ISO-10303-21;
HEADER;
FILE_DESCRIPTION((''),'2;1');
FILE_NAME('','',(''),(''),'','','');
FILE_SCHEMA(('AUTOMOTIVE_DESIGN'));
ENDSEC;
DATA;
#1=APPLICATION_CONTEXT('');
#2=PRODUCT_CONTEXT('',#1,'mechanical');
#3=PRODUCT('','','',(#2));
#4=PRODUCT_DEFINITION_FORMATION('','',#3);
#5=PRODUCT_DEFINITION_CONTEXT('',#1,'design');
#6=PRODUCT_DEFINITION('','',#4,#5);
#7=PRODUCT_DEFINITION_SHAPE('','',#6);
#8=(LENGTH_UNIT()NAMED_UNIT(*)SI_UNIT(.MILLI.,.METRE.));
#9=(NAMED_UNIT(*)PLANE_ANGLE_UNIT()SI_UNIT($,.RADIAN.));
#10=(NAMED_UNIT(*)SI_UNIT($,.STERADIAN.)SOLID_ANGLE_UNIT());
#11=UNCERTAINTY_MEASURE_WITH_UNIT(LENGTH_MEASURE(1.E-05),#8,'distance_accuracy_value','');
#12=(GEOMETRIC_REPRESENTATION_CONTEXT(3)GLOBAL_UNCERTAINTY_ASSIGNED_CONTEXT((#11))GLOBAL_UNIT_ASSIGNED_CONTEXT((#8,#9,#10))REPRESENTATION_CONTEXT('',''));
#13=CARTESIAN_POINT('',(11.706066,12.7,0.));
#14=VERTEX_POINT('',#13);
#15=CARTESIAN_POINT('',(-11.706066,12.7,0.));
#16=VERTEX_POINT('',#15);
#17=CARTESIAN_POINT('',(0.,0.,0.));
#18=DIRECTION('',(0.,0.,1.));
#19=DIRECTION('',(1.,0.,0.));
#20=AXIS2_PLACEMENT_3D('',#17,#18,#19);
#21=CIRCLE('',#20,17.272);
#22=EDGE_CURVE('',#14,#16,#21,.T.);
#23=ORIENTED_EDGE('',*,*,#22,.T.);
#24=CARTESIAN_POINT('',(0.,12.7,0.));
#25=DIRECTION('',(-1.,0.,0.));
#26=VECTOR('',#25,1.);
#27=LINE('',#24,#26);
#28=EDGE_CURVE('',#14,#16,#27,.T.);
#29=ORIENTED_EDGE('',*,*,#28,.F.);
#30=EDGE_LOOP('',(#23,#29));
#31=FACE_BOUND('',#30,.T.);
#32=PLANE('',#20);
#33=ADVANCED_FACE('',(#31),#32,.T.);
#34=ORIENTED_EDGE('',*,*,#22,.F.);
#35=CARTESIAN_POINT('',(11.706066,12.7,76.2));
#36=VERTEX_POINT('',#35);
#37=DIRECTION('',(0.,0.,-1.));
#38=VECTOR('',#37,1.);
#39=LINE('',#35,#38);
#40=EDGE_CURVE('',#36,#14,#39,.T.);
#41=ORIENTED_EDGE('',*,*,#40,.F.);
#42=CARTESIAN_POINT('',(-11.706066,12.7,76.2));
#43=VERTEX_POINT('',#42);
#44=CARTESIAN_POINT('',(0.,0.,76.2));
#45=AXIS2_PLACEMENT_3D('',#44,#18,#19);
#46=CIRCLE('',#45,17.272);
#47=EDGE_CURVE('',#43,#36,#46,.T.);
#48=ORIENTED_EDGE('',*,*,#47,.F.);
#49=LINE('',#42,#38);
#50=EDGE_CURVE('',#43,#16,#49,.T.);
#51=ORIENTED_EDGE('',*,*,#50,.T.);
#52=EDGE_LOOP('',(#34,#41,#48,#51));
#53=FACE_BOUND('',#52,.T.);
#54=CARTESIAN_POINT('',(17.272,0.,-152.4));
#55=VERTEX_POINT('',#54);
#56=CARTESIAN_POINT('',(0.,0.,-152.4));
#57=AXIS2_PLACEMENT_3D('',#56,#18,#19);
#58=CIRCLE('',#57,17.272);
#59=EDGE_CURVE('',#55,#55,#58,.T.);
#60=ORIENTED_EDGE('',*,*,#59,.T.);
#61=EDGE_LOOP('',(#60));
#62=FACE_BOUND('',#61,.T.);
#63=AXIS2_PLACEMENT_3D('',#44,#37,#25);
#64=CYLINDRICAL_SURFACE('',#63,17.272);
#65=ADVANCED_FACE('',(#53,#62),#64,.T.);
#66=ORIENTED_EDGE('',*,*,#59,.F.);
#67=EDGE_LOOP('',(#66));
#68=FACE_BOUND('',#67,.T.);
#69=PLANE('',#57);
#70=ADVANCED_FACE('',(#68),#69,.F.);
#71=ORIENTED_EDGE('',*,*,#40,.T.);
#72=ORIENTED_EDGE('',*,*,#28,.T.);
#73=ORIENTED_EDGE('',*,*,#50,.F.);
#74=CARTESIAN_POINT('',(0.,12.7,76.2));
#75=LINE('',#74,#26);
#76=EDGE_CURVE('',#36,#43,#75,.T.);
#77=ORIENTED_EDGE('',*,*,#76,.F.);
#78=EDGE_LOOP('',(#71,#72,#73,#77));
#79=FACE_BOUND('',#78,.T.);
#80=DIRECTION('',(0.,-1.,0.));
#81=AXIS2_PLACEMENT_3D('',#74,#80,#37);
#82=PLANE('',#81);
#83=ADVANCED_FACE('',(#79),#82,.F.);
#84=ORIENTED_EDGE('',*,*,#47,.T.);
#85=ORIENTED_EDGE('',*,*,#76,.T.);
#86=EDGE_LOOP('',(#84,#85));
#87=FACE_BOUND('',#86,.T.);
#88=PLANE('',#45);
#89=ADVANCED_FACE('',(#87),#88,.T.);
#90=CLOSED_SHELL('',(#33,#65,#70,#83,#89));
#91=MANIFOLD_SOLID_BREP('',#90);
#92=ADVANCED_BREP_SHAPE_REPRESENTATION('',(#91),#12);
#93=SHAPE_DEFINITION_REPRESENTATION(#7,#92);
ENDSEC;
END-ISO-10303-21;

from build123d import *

# Parameters (mm, degrees)
BOSS_EXTRUDE1_DEPTH = 76.2
BOSS_EXTRUDE2_START = -152.4
SKETCH1_4_R         = 17.272
BOSS_EXTRUDE2_DEPTH = 152.4


with BuildPart() as part:
    # Sketch1 → Boss-Extrude1 (new body)
    with BuildSketch(Plane.XY):
        with BuildLine():
            ThreePointArc((17.272, 0), (15.819436748, 6.93306606), (11.70606612, 12.7))
            Line((11.70606612, 12.7), (-11.70606612, 12.7))
            ThreePointArc((-11.70606612, 12.7), (-6.93306606, -15.819436748), (17.272, 0))
        make_face()
    extrude(amount=BOSS_EXTRUDE1_DEPTH)

    # Sketch1<4> → Boss-Extrude2 (add)
    with BuildSketch(Plane.XY.offset(BOSS_EXTRUDE2_START)):
        Circle(SKETCH1_4_R)
    extrude(amount=BOSS_EXTRUDE2_DEPTH)


solid = part.part
